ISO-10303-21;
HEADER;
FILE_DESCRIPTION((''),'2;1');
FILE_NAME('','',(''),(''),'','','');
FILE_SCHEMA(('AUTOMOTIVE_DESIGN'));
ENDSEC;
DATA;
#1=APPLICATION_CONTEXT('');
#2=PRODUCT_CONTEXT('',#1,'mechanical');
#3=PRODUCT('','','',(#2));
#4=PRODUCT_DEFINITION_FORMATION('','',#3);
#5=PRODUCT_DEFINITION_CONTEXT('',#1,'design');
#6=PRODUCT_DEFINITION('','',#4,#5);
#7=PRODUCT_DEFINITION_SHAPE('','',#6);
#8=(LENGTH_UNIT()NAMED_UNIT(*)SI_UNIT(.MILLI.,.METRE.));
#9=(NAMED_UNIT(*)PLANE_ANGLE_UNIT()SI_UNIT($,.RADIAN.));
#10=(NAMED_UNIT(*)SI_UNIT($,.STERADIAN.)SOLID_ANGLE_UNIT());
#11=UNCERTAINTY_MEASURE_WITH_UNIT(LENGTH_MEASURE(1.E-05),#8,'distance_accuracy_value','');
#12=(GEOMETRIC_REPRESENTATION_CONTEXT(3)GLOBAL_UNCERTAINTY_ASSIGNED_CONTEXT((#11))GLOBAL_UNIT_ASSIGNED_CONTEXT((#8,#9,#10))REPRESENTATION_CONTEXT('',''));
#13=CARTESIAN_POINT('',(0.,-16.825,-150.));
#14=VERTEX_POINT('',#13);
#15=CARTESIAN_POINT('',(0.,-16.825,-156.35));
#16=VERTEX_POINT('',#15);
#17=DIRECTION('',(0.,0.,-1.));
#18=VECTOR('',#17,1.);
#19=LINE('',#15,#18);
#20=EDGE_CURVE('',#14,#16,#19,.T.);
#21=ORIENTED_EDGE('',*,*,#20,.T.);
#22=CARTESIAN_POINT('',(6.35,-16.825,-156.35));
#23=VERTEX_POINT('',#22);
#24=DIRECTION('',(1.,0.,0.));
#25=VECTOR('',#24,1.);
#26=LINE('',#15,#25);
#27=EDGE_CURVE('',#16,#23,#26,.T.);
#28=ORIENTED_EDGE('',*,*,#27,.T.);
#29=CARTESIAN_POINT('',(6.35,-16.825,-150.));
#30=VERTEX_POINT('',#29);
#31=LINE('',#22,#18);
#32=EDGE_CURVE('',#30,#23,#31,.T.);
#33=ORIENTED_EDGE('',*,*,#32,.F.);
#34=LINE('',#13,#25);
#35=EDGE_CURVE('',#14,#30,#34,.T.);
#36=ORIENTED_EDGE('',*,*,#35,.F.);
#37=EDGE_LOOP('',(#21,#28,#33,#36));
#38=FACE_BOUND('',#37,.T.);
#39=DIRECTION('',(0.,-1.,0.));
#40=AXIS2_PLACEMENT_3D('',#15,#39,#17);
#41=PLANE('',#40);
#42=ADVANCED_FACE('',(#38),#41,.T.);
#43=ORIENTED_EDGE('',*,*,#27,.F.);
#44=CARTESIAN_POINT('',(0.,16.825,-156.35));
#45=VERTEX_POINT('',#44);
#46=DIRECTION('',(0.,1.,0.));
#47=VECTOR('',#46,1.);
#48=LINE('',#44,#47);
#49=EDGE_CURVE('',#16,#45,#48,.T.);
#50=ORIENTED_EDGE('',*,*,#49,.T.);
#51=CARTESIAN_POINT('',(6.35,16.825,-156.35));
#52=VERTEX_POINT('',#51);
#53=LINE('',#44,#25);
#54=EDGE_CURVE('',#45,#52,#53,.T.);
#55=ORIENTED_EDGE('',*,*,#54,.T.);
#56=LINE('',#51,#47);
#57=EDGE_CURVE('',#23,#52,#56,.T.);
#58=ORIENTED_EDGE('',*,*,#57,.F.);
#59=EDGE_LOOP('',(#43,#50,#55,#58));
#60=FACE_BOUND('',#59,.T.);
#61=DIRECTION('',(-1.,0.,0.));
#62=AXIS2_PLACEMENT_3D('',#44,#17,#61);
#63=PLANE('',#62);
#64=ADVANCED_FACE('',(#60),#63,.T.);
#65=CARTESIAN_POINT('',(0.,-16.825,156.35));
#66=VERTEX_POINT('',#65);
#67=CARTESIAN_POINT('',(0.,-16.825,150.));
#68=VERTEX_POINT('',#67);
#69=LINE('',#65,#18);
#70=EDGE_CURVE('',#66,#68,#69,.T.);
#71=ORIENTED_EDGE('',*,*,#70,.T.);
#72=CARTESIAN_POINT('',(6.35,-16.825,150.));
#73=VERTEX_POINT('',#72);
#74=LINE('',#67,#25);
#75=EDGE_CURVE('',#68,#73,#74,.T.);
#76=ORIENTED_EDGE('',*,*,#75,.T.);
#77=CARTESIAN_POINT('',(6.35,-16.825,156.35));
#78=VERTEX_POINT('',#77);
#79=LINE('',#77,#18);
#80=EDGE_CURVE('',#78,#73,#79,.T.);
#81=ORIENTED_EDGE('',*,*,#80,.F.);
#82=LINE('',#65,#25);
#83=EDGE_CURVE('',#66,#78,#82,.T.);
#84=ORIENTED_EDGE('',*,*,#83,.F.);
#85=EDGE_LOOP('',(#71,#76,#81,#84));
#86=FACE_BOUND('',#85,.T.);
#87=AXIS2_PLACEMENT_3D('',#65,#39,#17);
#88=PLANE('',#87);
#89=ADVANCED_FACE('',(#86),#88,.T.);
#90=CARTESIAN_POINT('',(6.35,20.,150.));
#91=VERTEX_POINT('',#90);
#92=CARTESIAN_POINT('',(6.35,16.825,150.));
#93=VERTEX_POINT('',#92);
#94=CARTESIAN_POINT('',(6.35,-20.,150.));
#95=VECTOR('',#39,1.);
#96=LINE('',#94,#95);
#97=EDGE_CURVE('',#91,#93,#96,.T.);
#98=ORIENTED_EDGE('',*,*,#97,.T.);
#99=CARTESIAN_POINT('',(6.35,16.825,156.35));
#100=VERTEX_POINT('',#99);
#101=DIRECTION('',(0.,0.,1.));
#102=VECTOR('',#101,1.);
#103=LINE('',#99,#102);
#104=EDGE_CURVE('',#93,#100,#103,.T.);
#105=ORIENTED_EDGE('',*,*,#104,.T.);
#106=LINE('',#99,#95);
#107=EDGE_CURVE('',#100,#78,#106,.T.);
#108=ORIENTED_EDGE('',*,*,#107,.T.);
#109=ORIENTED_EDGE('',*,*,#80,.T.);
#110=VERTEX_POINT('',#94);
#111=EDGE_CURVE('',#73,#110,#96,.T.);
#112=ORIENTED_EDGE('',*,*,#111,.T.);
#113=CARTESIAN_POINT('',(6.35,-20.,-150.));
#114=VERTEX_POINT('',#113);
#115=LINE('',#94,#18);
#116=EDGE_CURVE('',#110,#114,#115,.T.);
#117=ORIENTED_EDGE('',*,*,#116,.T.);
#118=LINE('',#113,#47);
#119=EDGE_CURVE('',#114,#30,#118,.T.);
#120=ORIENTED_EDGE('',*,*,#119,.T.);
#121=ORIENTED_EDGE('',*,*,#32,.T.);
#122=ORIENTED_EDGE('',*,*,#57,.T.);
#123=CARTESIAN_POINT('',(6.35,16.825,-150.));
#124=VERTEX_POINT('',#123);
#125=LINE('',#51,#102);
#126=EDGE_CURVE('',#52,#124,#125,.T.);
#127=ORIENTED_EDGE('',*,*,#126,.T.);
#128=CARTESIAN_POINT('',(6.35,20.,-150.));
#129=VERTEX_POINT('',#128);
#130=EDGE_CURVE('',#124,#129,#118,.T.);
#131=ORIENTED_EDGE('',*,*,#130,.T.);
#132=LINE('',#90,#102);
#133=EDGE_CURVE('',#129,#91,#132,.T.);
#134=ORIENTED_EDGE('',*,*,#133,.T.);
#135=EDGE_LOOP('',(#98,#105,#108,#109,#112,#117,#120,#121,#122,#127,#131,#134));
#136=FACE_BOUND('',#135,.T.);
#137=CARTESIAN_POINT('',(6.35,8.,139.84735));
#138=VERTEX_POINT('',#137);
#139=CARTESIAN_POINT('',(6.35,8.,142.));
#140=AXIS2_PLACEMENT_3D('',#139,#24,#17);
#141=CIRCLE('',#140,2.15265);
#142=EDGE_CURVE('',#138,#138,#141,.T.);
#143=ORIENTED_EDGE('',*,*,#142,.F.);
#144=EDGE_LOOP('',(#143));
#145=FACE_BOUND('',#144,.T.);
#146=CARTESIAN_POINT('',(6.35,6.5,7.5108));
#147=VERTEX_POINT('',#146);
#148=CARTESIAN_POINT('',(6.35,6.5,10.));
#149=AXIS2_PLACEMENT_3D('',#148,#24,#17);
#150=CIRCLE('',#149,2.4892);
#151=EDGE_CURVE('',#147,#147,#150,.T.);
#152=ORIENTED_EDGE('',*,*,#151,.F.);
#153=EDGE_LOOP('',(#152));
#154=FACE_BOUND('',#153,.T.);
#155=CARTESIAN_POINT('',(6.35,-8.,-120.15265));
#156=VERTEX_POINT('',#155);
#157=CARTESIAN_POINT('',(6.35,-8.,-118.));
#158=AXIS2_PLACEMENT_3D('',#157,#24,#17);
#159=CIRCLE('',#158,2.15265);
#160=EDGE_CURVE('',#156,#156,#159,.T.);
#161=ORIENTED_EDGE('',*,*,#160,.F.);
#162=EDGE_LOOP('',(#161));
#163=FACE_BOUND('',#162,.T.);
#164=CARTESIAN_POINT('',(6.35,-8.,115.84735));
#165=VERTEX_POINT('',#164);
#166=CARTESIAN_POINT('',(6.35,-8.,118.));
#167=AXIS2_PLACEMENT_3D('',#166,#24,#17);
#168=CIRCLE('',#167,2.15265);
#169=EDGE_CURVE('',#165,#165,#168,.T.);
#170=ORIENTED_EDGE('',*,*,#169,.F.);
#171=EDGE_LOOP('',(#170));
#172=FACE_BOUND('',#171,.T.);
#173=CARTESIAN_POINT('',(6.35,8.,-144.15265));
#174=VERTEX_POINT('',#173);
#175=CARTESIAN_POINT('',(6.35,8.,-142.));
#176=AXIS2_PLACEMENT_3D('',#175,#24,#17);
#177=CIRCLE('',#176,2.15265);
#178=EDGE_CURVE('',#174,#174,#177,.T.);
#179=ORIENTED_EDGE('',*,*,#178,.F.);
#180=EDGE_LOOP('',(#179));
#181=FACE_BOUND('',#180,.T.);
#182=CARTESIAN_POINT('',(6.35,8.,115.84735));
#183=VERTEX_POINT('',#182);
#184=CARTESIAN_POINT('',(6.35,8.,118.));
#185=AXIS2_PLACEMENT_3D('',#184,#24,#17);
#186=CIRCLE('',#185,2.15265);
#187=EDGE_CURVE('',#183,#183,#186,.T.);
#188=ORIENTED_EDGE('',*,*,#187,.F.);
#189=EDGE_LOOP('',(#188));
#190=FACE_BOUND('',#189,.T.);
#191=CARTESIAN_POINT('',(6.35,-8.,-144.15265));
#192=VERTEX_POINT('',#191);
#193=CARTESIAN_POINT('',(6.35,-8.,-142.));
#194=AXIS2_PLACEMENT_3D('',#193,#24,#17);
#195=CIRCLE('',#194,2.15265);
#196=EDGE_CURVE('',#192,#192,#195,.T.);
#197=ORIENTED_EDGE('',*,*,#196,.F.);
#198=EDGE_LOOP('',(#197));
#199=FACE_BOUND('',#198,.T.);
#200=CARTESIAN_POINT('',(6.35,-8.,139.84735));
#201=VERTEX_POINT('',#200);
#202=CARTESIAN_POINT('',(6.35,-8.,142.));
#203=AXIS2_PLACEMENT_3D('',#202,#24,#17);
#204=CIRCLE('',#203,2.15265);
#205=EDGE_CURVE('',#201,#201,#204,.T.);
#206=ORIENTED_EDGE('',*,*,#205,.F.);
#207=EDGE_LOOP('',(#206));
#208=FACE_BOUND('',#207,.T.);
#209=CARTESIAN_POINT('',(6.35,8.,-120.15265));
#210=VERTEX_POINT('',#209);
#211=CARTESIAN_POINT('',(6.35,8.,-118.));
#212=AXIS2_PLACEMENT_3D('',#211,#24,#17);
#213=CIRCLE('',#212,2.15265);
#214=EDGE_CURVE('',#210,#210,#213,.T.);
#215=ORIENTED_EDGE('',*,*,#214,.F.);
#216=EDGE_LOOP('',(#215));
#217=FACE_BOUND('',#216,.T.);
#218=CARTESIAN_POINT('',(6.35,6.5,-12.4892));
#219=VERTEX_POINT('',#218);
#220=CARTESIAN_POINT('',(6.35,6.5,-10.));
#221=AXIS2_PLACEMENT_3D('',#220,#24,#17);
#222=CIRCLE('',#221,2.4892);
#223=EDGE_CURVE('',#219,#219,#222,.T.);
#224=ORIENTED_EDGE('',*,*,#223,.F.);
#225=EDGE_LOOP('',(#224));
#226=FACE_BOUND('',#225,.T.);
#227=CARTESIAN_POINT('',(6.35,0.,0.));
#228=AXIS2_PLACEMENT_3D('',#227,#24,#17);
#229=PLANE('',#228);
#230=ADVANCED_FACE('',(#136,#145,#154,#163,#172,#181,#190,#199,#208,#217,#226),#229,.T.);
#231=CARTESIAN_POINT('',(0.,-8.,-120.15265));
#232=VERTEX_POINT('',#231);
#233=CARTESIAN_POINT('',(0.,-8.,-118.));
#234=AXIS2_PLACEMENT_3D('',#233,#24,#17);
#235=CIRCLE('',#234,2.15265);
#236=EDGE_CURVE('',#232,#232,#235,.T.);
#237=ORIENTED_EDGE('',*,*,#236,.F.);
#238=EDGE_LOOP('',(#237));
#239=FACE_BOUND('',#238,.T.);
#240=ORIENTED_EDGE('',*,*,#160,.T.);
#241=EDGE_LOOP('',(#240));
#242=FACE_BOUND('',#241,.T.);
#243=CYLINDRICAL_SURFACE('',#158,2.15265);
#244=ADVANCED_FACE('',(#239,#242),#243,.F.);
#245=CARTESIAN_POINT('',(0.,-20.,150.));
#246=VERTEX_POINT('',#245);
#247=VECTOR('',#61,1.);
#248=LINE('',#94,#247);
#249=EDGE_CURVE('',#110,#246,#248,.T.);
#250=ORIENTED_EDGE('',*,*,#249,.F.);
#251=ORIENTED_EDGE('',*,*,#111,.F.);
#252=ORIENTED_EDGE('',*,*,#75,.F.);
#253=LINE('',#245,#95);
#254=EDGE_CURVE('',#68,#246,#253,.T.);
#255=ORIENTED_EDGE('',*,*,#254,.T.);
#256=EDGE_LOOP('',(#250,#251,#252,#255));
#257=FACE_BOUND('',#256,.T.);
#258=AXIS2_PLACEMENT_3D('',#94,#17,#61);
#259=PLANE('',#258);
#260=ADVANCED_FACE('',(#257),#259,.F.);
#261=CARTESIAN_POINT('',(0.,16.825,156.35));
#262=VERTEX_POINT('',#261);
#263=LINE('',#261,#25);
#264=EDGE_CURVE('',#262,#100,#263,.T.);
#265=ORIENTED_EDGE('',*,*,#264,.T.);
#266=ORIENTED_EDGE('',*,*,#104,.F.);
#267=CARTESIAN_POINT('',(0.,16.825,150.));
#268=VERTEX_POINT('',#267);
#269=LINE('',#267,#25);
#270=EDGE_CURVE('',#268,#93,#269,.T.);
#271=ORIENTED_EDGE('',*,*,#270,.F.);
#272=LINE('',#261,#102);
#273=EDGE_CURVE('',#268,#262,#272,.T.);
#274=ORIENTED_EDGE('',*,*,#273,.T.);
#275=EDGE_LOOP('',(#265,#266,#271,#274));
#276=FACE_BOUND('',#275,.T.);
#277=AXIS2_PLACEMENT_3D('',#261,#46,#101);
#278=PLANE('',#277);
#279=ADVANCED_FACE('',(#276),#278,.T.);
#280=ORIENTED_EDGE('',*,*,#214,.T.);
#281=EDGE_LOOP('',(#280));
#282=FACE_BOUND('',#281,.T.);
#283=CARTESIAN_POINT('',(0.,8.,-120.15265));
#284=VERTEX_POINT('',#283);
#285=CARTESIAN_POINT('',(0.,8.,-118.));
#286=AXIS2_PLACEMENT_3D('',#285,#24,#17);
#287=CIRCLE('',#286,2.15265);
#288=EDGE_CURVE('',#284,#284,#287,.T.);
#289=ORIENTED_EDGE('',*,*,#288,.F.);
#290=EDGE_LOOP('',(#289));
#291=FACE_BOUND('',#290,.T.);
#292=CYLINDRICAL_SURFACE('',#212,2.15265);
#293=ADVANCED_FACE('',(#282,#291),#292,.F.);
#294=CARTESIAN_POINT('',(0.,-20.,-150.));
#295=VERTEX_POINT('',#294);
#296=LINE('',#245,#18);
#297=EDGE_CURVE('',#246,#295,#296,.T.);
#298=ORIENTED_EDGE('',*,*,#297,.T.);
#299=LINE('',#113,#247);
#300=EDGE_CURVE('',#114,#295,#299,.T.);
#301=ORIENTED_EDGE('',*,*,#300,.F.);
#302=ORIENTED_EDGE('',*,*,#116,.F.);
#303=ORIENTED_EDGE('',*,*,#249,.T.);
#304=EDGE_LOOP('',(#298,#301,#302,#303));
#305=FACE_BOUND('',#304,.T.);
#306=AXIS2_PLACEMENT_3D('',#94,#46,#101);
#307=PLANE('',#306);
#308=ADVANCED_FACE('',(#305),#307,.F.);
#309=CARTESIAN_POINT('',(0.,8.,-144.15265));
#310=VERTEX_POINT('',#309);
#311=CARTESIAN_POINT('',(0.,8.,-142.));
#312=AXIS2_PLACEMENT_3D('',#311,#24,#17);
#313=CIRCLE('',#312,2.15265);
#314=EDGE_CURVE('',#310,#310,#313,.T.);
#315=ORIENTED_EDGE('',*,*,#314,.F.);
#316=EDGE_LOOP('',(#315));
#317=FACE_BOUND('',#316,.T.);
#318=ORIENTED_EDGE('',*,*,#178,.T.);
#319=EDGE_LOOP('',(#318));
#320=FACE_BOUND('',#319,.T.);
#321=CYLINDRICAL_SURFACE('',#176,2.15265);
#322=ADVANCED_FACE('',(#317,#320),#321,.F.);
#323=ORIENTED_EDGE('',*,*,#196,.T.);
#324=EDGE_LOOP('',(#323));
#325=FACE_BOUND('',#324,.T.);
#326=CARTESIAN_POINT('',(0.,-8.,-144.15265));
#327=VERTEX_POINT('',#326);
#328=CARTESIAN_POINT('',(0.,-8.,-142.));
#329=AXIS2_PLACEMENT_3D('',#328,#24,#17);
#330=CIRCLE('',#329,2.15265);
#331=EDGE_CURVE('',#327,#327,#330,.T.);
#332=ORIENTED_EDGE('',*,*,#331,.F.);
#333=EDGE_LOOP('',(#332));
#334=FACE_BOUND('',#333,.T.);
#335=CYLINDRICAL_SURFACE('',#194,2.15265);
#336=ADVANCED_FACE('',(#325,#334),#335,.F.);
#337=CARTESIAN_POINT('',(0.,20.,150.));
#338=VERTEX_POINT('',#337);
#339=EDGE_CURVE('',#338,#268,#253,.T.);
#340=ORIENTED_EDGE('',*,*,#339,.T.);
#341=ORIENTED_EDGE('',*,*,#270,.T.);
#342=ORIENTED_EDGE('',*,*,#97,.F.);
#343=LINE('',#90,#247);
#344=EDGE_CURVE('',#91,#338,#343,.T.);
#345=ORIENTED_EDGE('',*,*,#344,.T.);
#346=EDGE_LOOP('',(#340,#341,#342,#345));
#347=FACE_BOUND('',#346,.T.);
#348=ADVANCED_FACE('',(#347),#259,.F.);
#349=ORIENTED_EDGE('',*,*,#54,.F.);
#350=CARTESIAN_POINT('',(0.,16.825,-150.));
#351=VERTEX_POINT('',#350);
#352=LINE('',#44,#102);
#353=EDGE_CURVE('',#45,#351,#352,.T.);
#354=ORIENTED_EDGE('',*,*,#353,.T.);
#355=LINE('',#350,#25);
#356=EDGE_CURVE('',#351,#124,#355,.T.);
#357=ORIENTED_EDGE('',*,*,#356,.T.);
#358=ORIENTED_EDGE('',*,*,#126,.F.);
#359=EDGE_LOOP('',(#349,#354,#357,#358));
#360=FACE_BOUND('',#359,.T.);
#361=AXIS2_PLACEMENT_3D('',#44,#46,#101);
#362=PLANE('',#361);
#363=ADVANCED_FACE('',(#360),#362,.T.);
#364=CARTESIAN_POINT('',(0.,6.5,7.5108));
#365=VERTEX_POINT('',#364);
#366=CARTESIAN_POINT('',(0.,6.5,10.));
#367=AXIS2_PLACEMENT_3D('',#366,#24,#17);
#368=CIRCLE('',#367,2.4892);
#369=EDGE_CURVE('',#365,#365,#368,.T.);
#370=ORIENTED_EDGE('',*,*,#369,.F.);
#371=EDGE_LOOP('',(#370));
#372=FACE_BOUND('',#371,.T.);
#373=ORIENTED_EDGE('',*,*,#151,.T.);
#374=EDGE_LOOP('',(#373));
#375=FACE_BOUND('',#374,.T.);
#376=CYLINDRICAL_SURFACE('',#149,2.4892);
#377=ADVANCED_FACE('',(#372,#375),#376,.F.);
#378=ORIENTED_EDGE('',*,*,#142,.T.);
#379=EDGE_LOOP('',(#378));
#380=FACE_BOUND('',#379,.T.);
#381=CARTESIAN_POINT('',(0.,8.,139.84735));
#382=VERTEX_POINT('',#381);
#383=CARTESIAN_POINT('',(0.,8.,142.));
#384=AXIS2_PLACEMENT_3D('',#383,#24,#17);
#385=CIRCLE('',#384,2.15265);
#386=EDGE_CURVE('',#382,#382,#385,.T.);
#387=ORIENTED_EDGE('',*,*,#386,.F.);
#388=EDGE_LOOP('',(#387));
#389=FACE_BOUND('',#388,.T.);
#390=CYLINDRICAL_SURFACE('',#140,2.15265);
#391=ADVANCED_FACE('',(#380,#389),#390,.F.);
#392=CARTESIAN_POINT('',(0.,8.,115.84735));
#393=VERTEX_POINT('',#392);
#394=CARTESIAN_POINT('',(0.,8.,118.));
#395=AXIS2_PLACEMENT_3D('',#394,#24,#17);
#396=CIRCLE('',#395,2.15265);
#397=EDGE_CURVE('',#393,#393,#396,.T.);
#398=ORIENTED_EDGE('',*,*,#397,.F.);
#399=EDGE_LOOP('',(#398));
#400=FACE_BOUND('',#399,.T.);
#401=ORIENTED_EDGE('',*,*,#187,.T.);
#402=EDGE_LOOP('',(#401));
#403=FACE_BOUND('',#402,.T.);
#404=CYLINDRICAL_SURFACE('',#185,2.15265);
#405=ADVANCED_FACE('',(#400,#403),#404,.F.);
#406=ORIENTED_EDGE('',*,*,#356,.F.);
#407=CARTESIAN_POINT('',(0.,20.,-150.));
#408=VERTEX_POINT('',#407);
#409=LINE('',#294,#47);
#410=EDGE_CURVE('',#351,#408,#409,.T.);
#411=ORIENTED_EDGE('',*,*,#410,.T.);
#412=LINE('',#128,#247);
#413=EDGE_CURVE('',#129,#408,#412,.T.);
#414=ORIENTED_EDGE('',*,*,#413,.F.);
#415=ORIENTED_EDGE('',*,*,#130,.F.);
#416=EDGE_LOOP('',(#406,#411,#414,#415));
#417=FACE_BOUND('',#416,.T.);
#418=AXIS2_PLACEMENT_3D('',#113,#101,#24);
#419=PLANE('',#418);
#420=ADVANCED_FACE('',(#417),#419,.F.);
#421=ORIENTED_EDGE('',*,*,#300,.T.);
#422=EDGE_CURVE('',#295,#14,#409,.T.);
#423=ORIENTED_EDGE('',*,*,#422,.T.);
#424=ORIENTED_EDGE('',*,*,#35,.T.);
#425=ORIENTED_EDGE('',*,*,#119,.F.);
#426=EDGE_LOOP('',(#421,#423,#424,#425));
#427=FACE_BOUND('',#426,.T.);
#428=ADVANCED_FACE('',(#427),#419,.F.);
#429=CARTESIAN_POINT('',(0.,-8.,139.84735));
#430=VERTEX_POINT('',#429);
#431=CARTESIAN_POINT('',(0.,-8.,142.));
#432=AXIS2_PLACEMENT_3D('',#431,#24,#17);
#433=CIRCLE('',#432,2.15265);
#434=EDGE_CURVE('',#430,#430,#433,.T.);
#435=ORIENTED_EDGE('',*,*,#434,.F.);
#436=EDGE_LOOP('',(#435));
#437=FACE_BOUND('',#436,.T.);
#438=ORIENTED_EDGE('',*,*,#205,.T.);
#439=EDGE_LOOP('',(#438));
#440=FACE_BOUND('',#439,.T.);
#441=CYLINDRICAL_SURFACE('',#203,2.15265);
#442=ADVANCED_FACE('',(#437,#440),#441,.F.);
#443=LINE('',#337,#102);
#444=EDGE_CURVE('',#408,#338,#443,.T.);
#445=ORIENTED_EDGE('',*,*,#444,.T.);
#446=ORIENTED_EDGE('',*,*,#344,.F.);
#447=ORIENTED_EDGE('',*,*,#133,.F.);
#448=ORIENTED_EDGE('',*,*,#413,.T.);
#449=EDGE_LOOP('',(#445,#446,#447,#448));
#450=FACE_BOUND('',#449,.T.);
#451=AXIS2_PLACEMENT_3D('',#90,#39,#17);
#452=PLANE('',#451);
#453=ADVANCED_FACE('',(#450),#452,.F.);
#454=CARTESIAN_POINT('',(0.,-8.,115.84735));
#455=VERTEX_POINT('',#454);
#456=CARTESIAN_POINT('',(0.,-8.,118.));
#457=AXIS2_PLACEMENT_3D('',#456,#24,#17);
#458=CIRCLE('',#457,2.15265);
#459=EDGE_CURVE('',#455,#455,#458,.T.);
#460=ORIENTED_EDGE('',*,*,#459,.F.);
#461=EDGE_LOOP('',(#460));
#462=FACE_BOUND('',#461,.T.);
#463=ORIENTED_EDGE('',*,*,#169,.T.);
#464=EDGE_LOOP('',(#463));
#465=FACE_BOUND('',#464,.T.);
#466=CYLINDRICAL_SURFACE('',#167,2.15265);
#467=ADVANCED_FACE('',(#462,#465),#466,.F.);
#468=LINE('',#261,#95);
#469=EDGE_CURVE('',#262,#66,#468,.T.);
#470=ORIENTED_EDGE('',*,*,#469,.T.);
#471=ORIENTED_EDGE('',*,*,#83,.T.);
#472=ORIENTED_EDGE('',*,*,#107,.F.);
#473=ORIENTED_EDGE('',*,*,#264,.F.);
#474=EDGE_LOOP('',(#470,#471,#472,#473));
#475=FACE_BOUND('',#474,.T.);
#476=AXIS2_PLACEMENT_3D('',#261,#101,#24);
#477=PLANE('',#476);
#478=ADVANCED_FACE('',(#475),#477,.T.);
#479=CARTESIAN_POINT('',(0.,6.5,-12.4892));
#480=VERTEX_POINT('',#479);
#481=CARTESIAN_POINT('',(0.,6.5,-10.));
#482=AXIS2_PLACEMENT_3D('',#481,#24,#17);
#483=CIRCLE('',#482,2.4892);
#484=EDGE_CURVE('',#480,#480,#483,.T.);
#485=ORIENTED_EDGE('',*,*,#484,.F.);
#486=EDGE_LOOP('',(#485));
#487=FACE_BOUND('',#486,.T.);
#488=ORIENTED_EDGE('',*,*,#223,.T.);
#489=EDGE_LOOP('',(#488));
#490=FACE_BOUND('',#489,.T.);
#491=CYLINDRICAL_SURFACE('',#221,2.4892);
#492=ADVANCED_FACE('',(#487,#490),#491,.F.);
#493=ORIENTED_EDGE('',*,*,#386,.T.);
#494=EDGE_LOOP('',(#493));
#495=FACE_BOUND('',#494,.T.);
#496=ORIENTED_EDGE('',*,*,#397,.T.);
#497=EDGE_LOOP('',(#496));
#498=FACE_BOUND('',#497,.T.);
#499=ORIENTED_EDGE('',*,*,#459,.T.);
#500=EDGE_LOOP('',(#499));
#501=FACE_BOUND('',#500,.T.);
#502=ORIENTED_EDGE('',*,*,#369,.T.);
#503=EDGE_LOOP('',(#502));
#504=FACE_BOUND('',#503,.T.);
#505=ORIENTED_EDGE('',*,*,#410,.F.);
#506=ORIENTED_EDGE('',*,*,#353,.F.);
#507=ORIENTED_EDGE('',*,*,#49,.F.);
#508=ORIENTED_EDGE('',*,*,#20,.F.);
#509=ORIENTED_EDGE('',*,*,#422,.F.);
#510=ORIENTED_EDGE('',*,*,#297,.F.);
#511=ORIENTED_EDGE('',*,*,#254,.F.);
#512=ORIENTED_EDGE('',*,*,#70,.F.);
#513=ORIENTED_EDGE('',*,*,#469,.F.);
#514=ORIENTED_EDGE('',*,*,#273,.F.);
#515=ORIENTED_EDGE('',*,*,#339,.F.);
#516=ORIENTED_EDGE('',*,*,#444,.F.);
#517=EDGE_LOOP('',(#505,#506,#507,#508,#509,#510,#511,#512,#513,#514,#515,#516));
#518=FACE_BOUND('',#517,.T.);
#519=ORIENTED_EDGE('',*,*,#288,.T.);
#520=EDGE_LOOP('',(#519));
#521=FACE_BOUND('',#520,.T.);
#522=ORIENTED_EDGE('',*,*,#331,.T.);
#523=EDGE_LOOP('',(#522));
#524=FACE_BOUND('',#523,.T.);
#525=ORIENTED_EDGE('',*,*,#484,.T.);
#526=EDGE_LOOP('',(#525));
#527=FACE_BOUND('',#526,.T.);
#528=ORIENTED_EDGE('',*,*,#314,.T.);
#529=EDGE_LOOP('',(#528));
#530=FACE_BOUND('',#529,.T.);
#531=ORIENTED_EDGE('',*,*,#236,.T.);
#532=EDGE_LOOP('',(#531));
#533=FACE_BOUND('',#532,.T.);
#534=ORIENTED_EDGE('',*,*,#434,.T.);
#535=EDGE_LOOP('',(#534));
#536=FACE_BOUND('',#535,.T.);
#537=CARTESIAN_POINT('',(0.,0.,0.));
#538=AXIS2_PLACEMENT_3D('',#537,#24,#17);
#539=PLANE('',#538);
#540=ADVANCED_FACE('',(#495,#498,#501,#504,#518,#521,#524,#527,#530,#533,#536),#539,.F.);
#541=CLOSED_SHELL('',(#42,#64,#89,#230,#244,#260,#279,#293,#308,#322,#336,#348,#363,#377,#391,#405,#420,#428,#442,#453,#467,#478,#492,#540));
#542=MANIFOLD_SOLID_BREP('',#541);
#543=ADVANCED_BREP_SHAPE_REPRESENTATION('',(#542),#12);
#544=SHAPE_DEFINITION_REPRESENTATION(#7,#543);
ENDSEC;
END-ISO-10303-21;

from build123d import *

# Parameters (mm, degrees)
SKETCH1_W              = 300
SKETCH1_H              = 40
BOSS_EXTRUDE1_DEPTH    = 6.35
SKETCH2_W              = 6.35
SKETCH2_H              = 33.65
BOSS_EXTRUDE2_DEPTH    = 6.35
F_10_CLEARANCE_HOLE1_D = 4.9784
F_8_CLEARANCE_HOLE1_D  = 4.3053


with BuildPart() as part:
    # Sketch1 → Boss-Extrude1 (new body)
    with BuildSketch(Plane(origin=(0, 0, 0), x_dir=(0, 0, -1), z_dir=(1, 0, 0))):
        Rectangle(SKETCH1_W, SKETCH1_H)
    extrude(amount=BOSS_EXTRUDE1_DEPTH)

    # Sketch2 → Boss-Extrude2 (add)
    with BuildSketch(Plane(origin=(6.35, 0, 0), x_dir=(0, 0, -1), z_dir=(1, 0, 0))):
        with Locations((-153.175, 0)):
            Rectangle(SKETCH2_W, SKETCH2_H)
        with Locations((153.175, 0)):
            Rectangle(SKETCH2_W, SKETCH2_H)
    extrude(amount=-BOSS_EXTRUDE2_DEPTH)

    # #10 Clearance Hole1 (through all)
    with Locations(Plane(origin=(6.35, 0, 0), x_dir=(0, 0, -1), z_dir=(1, 0, 0))):
        with Locations((-10, 6.5), (10, 6.5)):
            Hole(F_10_CLEARANCE_HOLE1_D / 2)

    # #8 Clearance Hole1 (through all)
    with Locations(Plane(origin=(6.35, 0, 0), x_dir=(0, 0, -1), z_dir=(1, 0, 0))):
        with Locations((-142, 8), (-118, 8), (-118, -8), (-142, -8), (118, 8), (142, 8), (142, -8), (118, -8)):
            Hole(F_8_CLEARANCE_HOLE1_D / 2)


solid = part.part
